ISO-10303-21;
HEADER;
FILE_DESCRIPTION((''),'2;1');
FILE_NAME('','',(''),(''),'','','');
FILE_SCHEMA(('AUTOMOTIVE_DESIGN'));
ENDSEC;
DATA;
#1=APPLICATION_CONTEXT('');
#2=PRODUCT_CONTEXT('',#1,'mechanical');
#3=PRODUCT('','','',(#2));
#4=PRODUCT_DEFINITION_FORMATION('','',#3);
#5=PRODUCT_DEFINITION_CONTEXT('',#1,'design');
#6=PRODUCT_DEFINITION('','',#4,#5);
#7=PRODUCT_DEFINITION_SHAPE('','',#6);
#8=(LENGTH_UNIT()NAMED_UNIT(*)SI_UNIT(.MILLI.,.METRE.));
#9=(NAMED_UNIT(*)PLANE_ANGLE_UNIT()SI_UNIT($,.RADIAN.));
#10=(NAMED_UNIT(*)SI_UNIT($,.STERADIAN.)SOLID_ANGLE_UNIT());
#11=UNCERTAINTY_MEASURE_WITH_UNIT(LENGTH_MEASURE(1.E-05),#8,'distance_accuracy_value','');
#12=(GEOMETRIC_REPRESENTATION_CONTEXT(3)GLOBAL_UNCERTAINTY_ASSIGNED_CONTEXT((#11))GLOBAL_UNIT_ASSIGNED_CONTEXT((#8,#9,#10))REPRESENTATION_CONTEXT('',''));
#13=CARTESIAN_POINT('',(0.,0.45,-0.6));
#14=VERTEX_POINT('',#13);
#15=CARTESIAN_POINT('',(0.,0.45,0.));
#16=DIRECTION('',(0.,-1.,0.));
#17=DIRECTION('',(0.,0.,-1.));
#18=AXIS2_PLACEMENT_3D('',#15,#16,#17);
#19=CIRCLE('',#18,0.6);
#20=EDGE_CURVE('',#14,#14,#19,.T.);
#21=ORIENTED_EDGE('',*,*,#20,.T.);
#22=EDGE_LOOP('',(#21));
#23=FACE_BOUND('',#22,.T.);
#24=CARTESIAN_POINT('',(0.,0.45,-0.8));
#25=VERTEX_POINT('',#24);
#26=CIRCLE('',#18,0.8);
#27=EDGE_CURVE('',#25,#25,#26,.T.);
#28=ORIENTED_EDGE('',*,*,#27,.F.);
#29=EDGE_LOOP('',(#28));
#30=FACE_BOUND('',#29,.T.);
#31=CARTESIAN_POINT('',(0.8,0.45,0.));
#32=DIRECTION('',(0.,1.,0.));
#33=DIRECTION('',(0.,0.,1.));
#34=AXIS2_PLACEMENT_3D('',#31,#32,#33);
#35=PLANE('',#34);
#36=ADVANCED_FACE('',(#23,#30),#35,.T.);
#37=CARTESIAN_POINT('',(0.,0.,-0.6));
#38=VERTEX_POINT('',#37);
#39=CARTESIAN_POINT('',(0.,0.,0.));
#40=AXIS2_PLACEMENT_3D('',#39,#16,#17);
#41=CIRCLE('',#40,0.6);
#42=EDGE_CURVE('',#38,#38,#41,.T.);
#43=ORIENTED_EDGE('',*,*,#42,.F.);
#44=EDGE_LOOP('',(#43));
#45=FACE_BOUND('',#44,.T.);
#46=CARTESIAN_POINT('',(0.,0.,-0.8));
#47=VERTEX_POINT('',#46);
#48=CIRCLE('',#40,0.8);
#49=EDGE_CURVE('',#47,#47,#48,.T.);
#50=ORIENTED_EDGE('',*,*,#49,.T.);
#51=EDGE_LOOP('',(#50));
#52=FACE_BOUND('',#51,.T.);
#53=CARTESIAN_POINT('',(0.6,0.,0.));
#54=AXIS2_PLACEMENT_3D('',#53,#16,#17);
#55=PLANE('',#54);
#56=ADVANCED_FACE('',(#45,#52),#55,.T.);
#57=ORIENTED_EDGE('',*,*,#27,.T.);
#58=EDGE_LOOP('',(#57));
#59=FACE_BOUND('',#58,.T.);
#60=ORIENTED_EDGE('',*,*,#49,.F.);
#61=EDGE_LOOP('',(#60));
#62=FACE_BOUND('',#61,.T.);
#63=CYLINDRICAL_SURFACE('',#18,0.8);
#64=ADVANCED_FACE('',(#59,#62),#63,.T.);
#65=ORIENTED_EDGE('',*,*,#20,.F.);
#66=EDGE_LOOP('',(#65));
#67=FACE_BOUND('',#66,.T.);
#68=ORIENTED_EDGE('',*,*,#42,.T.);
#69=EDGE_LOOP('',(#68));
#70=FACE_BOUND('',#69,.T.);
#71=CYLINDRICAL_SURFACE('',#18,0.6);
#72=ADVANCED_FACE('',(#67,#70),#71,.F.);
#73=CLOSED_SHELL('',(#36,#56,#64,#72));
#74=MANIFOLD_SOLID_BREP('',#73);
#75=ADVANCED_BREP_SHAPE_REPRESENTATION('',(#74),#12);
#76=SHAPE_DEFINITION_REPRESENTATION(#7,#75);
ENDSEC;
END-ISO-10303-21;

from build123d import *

# Parameters (mm, degrees)
SKETCH1_W = 0.2
SKETCH1_H = 0.45


with BuildPart() as part:
    # Sketch1 → Revolve1 (revolve)
    with BuildSketch(Plane.XY):
        with Locations((0.7, 0.225)):
            Rectangle(SKETCH1_W, SKETCH1_H)
    revolve(axis=Axis((0, 0.45, 0), (0, -1, 0)))


solid = part.part
